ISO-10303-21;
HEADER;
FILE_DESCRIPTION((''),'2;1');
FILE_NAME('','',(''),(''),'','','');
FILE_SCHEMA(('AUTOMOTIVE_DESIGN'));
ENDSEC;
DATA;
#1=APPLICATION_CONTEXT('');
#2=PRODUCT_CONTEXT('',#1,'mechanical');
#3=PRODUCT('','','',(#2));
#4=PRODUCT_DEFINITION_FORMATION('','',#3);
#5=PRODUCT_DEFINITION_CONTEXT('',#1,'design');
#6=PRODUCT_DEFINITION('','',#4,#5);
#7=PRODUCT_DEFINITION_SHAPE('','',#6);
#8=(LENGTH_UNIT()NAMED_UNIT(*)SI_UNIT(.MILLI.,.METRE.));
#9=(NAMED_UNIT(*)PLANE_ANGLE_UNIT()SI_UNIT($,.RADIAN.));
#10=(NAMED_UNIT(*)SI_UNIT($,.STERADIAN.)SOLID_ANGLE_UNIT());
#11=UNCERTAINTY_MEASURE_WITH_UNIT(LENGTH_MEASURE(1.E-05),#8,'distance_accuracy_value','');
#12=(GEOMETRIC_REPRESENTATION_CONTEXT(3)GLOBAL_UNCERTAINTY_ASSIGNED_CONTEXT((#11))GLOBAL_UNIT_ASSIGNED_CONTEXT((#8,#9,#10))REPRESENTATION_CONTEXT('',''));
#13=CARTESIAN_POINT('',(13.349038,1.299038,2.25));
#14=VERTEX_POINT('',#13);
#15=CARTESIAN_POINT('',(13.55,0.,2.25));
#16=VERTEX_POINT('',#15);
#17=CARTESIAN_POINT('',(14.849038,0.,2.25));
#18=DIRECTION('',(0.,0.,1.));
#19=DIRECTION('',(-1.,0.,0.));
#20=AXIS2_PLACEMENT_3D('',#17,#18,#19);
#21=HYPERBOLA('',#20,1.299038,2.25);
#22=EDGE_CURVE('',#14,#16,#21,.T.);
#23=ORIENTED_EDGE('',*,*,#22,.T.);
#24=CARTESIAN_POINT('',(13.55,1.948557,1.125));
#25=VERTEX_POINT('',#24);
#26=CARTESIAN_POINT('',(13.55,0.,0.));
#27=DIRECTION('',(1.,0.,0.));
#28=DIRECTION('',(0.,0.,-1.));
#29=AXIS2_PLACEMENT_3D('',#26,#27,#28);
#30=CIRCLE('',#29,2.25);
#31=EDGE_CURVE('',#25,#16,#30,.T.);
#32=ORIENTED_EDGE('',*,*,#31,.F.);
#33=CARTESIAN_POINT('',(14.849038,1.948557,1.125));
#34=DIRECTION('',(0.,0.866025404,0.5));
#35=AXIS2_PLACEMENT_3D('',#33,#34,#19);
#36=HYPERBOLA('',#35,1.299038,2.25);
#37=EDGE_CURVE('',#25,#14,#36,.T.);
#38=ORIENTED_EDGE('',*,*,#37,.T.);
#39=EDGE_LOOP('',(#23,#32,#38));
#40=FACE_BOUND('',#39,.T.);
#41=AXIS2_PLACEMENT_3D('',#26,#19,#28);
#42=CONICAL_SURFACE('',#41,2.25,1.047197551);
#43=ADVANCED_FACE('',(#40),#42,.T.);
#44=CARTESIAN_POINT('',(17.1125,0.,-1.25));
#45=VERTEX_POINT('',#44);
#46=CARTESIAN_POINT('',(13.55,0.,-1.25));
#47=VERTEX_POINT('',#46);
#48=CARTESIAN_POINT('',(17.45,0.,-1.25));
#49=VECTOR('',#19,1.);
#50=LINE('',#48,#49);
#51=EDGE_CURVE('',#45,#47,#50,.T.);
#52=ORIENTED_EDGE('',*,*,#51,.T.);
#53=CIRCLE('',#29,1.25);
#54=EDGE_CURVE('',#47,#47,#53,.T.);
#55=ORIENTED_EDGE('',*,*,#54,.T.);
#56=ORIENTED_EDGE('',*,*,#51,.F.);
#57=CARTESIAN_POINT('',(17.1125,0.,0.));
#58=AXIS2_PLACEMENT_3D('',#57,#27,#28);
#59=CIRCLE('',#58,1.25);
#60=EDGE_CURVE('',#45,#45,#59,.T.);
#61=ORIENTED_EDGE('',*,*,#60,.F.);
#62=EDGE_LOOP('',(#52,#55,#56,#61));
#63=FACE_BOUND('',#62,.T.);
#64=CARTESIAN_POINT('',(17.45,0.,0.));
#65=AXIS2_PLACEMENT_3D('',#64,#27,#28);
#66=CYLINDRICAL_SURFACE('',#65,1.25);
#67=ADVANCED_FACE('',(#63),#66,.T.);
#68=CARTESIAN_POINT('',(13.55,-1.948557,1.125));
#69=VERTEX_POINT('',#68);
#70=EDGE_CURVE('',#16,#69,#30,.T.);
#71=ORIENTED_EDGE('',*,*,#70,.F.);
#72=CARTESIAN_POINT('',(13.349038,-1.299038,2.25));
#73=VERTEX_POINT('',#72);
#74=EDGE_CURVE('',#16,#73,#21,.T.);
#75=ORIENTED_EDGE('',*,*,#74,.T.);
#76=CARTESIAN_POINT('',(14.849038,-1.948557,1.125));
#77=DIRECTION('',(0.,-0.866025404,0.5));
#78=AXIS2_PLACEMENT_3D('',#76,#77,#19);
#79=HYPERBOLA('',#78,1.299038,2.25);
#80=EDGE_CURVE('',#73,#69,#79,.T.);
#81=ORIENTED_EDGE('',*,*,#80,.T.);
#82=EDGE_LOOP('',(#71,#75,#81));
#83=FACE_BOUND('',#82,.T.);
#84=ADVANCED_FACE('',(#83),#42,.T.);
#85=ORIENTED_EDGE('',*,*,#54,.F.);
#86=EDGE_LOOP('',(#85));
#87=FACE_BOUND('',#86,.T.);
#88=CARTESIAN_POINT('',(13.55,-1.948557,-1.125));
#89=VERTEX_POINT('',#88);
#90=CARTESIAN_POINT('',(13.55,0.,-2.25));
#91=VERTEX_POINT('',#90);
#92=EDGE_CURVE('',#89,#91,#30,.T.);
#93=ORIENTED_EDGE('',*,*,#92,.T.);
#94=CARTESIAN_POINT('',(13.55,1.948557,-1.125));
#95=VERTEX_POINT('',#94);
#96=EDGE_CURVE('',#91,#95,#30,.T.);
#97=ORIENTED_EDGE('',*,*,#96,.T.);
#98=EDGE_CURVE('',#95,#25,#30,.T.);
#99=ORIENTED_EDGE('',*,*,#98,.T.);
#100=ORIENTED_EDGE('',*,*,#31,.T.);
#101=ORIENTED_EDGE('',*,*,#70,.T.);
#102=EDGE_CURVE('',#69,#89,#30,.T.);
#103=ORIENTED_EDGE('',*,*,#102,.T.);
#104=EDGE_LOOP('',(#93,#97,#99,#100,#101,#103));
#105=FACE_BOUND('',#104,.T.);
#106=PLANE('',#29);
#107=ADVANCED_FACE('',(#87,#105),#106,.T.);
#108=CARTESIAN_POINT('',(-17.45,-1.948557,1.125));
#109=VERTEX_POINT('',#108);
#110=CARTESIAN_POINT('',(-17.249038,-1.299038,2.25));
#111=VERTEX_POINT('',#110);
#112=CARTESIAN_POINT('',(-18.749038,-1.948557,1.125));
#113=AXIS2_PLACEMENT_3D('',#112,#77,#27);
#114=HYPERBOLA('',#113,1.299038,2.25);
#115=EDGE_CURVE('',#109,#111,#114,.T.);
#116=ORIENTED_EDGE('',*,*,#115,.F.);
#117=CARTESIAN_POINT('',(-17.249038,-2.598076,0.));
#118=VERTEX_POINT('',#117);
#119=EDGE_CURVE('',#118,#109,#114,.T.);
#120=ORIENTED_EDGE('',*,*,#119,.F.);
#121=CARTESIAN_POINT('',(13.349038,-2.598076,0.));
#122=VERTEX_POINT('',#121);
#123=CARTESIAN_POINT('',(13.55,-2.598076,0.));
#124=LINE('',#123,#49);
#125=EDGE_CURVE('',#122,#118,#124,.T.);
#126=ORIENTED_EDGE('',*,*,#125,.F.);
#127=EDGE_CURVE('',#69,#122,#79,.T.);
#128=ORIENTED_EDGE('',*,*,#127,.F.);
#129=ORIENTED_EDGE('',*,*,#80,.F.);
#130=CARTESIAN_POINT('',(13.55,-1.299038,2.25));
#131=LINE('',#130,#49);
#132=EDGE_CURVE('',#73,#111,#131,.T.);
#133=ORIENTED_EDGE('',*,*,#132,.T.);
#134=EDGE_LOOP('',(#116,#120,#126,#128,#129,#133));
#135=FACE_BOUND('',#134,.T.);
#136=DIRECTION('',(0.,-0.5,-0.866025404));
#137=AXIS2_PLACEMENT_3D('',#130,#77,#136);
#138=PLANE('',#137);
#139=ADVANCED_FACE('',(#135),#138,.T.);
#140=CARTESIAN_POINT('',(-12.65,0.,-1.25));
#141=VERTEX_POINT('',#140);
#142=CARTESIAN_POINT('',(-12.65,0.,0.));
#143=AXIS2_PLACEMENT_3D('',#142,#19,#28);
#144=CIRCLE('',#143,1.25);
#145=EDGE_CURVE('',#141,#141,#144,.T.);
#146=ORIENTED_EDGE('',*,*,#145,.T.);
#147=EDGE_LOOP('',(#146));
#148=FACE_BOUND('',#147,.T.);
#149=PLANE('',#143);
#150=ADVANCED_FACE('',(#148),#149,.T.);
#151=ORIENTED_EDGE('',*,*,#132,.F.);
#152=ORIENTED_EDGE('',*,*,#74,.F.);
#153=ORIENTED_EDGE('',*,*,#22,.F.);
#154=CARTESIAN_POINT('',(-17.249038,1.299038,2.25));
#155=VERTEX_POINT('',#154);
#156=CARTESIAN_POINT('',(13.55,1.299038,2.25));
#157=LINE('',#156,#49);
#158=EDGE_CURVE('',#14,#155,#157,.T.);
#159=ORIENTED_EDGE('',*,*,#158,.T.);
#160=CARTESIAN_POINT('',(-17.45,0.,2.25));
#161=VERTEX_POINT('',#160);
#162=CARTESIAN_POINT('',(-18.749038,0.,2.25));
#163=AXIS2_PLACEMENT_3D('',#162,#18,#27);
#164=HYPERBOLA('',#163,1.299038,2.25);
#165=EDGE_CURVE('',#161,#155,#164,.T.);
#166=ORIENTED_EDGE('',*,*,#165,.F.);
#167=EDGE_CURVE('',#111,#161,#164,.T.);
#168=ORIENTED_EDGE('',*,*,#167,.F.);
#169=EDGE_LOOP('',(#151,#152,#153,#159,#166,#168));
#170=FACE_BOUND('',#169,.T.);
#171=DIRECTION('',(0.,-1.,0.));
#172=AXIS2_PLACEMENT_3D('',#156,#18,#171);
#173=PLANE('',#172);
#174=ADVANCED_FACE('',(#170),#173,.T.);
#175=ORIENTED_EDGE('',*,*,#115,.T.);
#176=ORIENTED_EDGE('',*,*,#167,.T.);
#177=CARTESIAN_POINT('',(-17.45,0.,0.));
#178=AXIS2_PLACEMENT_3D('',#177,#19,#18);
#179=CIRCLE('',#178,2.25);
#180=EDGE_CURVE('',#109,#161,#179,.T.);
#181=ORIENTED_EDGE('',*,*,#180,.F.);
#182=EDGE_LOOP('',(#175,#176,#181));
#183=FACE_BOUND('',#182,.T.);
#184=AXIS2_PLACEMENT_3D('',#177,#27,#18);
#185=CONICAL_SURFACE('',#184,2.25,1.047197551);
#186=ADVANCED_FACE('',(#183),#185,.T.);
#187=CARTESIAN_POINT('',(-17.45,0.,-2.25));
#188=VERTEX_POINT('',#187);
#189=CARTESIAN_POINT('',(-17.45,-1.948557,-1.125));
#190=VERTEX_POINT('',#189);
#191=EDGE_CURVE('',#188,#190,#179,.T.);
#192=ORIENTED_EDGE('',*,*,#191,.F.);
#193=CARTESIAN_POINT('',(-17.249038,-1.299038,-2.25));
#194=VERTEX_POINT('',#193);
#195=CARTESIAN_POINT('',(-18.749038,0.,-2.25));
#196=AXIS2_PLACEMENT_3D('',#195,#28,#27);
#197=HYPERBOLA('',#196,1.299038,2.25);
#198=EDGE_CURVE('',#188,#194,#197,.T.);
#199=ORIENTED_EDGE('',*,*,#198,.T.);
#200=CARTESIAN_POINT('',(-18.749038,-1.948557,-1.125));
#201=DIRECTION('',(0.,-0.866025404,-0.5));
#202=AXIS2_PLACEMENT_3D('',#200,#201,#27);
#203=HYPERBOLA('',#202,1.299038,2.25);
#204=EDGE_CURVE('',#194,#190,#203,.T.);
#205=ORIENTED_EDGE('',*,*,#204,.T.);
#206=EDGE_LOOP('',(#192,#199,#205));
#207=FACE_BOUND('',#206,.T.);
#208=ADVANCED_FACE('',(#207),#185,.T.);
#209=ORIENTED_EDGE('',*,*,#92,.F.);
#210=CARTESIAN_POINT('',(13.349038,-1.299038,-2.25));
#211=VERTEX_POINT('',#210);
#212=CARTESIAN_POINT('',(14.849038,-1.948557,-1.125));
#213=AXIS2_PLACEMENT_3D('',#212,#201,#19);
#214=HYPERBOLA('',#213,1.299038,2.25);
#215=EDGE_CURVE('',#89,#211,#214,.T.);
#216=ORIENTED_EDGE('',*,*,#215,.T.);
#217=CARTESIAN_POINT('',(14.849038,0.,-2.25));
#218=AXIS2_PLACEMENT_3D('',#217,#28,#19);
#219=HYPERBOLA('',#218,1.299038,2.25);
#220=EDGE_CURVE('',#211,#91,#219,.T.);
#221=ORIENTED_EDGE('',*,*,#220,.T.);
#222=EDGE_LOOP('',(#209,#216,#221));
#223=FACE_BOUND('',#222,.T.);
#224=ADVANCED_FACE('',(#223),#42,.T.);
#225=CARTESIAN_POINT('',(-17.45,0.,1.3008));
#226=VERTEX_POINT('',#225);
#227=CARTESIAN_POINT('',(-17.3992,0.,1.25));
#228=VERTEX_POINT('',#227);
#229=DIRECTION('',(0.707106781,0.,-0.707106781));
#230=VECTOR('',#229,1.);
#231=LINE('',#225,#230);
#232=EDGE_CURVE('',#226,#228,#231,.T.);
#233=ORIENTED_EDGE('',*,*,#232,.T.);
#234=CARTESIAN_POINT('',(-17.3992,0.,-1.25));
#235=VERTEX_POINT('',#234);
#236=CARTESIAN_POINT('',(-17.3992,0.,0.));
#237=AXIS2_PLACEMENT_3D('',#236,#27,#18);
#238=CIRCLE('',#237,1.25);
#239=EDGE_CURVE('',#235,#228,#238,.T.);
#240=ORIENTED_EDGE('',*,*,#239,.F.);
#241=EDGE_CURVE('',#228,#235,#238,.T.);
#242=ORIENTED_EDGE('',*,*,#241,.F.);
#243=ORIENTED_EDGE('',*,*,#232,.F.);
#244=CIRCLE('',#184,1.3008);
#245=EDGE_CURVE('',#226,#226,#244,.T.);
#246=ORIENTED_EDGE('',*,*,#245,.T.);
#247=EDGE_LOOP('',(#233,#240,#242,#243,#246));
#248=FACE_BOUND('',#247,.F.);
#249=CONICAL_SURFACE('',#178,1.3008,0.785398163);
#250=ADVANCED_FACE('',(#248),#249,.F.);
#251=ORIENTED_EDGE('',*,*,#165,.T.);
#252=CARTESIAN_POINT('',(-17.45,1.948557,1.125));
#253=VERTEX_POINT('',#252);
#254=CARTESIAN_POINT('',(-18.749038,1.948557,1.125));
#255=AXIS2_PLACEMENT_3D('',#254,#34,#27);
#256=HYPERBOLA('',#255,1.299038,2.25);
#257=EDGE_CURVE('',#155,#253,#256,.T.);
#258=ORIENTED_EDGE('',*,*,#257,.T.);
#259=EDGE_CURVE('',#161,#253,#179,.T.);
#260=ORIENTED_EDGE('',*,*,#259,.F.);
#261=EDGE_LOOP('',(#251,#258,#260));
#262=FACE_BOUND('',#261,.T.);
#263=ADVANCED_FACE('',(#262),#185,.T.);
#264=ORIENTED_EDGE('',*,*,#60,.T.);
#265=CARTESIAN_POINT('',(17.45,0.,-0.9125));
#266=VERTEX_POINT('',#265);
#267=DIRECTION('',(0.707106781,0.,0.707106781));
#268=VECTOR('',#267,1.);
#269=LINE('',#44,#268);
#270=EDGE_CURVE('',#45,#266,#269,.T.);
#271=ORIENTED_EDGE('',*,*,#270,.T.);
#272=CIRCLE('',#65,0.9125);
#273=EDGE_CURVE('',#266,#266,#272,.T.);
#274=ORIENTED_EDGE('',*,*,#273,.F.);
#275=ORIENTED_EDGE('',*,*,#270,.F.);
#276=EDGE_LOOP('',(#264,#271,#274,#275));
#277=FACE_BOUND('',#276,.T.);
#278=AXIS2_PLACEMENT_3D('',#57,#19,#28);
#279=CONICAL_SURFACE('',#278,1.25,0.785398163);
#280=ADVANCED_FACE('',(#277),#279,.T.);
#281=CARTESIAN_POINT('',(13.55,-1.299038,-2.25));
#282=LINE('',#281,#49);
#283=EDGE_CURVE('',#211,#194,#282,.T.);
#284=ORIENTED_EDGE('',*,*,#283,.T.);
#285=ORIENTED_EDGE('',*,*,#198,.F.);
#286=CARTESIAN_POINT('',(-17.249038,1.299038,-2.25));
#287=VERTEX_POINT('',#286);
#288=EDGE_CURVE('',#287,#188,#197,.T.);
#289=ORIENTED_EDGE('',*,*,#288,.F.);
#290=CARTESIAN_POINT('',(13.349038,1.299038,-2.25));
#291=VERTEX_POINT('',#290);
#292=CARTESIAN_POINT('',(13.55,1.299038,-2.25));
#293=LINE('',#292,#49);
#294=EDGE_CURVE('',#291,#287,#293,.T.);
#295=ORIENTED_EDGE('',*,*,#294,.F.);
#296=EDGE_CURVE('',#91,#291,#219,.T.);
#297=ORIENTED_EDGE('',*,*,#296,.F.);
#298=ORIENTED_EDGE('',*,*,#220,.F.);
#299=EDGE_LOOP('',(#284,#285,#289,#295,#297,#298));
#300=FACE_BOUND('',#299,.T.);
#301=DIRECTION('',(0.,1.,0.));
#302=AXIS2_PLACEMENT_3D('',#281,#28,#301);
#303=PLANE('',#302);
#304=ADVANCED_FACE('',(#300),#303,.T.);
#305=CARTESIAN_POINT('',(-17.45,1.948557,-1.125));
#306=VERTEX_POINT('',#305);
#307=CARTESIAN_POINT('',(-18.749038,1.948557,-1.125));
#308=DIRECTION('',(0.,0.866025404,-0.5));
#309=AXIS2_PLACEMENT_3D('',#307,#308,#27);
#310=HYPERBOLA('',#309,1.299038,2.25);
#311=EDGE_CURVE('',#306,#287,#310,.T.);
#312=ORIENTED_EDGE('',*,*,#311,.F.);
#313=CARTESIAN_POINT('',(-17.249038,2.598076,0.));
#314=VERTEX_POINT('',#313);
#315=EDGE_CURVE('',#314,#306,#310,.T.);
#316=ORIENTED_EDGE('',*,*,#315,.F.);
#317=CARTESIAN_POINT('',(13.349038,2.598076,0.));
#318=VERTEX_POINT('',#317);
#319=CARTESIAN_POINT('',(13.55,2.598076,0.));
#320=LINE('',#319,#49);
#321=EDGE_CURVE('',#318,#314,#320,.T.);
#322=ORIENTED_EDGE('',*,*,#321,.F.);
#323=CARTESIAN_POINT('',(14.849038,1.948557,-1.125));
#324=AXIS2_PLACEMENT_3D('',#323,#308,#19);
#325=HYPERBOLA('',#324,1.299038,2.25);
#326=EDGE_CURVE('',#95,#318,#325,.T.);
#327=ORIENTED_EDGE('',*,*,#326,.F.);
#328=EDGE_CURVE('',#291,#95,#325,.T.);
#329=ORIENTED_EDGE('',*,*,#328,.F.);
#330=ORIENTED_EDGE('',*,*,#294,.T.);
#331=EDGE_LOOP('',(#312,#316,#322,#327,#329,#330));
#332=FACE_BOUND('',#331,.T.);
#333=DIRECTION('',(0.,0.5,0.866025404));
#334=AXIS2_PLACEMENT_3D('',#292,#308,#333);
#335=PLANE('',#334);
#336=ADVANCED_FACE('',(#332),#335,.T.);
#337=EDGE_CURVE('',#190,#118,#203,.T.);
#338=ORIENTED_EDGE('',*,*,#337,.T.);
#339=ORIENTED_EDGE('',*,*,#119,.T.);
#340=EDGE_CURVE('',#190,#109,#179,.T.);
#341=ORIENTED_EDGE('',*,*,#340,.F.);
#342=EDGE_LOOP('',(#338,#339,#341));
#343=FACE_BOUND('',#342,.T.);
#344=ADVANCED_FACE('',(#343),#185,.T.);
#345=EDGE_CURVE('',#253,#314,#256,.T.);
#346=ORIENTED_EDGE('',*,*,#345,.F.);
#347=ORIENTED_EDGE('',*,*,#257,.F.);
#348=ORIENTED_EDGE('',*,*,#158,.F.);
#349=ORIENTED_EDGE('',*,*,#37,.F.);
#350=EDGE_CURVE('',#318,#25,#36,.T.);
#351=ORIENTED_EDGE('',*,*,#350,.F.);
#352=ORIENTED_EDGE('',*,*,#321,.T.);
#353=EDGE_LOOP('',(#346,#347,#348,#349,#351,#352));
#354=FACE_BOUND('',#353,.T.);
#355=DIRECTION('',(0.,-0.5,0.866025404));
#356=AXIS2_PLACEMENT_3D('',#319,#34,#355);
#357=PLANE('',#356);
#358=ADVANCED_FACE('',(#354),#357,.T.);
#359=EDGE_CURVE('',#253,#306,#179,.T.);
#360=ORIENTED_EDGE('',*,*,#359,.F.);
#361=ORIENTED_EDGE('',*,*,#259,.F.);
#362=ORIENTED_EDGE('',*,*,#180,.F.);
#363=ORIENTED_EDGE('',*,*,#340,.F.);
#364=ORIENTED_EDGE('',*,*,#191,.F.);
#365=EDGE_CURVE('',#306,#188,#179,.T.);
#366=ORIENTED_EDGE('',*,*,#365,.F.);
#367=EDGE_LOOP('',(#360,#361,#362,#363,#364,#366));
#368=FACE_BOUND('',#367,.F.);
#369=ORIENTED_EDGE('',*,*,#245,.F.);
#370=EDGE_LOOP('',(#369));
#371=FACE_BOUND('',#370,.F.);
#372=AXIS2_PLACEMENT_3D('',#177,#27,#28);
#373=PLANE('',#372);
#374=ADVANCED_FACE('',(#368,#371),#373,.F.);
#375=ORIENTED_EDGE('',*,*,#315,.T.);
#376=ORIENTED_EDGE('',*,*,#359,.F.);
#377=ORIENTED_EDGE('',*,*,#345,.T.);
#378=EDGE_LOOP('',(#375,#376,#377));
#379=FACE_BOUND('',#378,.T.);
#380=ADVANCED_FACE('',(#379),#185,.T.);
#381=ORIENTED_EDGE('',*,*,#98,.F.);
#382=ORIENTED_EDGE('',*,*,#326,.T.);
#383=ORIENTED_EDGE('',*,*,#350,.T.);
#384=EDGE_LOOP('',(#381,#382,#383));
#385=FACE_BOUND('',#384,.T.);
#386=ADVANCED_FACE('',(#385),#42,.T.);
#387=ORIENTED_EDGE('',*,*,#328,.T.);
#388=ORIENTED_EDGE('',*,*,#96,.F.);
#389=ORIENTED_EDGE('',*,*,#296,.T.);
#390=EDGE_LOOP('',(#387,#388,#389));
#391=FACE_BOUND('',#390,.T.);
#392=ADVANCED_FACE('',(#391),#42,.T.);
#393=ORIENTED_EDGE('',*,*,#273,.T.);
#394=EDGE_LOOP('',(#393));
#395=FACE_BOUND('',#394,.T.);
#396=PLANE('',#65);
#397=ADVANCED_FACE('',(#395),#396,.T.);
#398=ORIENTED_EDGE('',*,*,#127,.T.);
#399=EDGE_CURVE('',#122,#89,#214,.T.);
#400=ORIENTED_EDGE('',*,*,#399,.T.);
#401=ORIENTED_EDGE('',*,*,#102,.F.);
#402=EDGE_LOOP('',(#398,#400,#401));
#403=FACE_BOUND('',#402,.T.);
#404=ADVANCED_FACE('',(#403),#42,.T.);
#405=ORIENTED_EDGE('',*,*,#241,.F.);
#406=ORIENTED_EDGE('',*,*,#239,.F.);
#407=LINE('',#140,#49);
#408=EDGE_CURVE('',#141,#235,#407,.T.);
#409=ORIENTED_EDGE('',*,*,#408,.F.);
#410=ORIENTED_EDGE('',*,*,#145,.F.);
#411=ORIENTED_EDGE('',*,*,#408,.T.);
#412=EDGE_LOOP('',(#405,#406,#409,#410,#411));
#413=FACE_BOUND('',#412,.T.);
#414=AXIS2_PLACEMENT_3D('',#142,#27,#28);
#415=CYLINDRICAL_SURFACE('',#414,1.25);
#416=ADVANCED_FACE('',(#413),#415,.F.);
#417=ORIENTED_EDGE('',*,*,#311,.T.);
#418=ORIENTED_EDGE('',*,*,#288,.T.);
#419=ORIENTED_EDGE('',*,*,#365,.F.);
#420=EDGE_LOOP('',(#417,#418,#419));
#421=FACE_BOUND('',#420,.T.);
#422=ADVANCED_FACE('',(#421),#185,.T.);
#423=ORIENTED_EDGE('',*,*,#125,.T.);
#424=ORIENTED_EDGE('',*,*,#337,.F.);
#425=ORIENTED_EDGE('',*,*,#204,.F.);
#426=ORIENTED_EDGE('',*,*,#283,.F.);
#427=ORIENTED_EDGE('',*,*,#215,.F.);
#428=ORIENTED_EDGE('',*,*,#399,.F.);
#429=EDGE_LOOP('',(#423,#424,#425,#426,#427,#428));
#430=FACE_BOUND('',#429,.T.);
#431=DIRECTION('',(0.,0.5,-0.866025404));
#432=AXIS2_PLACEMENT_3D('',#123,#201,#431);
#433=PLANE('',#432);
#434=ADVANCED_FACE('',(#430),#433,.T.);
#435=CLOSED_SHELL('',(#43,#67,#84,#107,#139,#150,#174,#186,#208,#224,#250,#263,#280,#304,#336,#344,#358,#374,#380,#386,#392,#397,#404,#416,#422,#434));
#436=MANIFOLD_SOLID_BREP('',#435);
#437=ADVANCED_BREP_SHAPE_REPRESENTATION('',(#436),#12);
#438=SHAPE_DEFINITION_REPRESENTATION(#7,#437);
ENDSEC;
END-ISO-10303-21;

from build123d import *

# Parameters (mm, degrees)
SKETCH2_R         = 1.25
EXTRUDE1_DEPTH    = 3.9
CHAMFER1_SIZE     = 0.3375
EXTRUDE4_DEPTH    = 31
SKETCH8_OUTSIDE_W = 138.56
SKETCH8_OUTSIDE_H = 139.256
SKETCH8_OUTSIDE_R = 2.25
EXTRUDE5_DEPTH    = 36.068825187
EXTRUDE5_DRAFT    = -60
SKETCH9_OUTSIDE_W = 125.124
SKETCH9_OUTSIDE_H = 125.82
SKETCH9_OUTSIDE_R = 2.25
EXTRUDE6_DEPTH    = 32.189942289
EXTRUDE6_DRAFT    = -60
EXTRUDE7_START    = -4.8
SKETCH10_R        = 1.25
EXTRUDE7_DEPTH    = 4.8
SKETCH13_R        = 1.3008
EXTRUDE8_DEPTH    = 36.068825187


with BuildPart() as part:
    # Sketch2 → Extrude1 (new body)
    with BuildSketch(Plane(origin=(17.45, 0, 0), x_dir=(0, 0, -1), z_dir=(1, 0, 0))):
        Circle(SKETCH2_R)
    extrude(amount=-EXTRUDE1_DEPTH)

    # Chamfer1
    chamfer1_edges = [part.edges().sort_by_distance(p)[0] for p in [
        (17.45, 0, 1.25),
    ]]
    chamfer(chamfer1_edges, length=CHAMFER1_SIZE)

    # Sketch7 → Extrude4 (add)
    with BuildSketch(Plane(origin=(13.55, 0, 0), x_dir=(0, 0, -1), z_dir=(1, 0, 0))):
        Polygon((0, 2.598076211), (-2.25, 1.299038106), (-2.25, -1.299038106), (0, -2.598076211), (2.25, -1.299038106), (2.25, 1.299038106), align=None)
    extrude(amount=-EXTRUDE4_DEPTH)


with BuildPart() as extrude5_tool:
    # Sketch8 outside → Extrude5 (with draft: the straight prism first)
    with BuildSketch(Plane.ZY.offset(17.45)):
        Rectangle(SKETCH8_OUTSIDE_W, SKETCH8_OUTSIDE_H)
        Circle(SKETCH8_OUTSIDE_R, mode=Mode.SUBTRACT)
    extrude(amount=-EXTRUDE5_DEPTH)
    # Extrude5: the draft: its side faces are tilted about the plane it starts from
    extrude5_sides = [extrude5_tool.faces().sort_by_distance(p)[0] for p in [
        (0.584412594, -69.628, 0),
        (0.584412594, 0, 69.28),
        (0.584412594, 69.628, 0),
        (0.584412594, 0, -69.28),
        (0.584412594, 0, -2.25),
    ]]
    draft(extrude5_sides, Plane.ZY.offset(17.45), EXTRUDE5_DRAFT)


with BuildPart() as part_1:
    add(part.part)

    # Extrude5: cut by extrude5_tool
    add(extrude5_tool.part, mode=Mode.SUBTRACT)


with BuildPart() as extrude6_tool:
    # Sketch9 outside → Extrude6 (with draft: the straight prism first)
    with BuildSketch(Plane(origin=(13.55, 0, 0), x_dir=(0, 0, -1), z_dir=(1, 0, 0))):
        Rectangle(SKETCH9_OUTSIDE_W, SKETCH9_OUTSIDE_H)
        Circle(SKETCH9_OUTSIDE_R, mode=Mode.SUBTRACT)
    extrude(amount=-EXTRUDE6_DEPTH)
    # Extrude6: the draft: its side faces are tilted about the plane it starts from
    extrude6_sides = [extrude6_tool.faces().sort_by_distance(p)[0] for p in [
        (-2.544971145, -62.91, 0),
        (-2.544971145, 0, -62.562),
        (-2.544971145, 62.91, 0),
        (-2.544971145, 0, 62.562),
        (-2.544971145, 0, 2.25),
    ]]
    draft(extrude6_sides, Plane(origin=(13.55, 0, 0), x_dir=(0, 0, -1), z_dir=(1, 0, 0)), EXTRUDE6_DRAFT)


with BuildPart() as part_2:
    add(part_1.part)

    # Extrude6: cut by extrude6_tool
    add(extrude6_tool.part, mode=Mode.SUBTRACT)

    # Sketch10 → Extrude7 (cut)
    with BuildSketch(Plane.ZY.offset(17.45).offset(EXTRUDE7_START)):
        with Locations(Location((0, 0, 0), (0, 0, 180))):
            Circle(SKETCH10_R)
    extrude(amount=EXTRUDE7_DEPTH, mode=Mode.SUBTRACT)

    # Sketch13 → Extrude8 (cut)
    with BuildSketch(Plane.ZY.offset(17.45)):
        Circle(SKETCH13_R)
    extrude(amount=EXTRUDE8_DEPTH, mode=Mode.SUBTRACT)

    # Extrude8 cone 1 section (through the dimple's axis) → Extrude8 other way (revolve, cut)
    with BuildSketch(Plane(origin=(-17.45, 0, 0), x_dir=(0, 0, 1), z_dir=(0, 1, 0))):
        Polygon((0, 0), (1.3008, 0), (0, 1.3008), align=None)
    revolve(axis=Axis((-17.45, 0, 0), (1, 0, 0)), mode=Mode.SUBTRACT)


solid = part_2.part
